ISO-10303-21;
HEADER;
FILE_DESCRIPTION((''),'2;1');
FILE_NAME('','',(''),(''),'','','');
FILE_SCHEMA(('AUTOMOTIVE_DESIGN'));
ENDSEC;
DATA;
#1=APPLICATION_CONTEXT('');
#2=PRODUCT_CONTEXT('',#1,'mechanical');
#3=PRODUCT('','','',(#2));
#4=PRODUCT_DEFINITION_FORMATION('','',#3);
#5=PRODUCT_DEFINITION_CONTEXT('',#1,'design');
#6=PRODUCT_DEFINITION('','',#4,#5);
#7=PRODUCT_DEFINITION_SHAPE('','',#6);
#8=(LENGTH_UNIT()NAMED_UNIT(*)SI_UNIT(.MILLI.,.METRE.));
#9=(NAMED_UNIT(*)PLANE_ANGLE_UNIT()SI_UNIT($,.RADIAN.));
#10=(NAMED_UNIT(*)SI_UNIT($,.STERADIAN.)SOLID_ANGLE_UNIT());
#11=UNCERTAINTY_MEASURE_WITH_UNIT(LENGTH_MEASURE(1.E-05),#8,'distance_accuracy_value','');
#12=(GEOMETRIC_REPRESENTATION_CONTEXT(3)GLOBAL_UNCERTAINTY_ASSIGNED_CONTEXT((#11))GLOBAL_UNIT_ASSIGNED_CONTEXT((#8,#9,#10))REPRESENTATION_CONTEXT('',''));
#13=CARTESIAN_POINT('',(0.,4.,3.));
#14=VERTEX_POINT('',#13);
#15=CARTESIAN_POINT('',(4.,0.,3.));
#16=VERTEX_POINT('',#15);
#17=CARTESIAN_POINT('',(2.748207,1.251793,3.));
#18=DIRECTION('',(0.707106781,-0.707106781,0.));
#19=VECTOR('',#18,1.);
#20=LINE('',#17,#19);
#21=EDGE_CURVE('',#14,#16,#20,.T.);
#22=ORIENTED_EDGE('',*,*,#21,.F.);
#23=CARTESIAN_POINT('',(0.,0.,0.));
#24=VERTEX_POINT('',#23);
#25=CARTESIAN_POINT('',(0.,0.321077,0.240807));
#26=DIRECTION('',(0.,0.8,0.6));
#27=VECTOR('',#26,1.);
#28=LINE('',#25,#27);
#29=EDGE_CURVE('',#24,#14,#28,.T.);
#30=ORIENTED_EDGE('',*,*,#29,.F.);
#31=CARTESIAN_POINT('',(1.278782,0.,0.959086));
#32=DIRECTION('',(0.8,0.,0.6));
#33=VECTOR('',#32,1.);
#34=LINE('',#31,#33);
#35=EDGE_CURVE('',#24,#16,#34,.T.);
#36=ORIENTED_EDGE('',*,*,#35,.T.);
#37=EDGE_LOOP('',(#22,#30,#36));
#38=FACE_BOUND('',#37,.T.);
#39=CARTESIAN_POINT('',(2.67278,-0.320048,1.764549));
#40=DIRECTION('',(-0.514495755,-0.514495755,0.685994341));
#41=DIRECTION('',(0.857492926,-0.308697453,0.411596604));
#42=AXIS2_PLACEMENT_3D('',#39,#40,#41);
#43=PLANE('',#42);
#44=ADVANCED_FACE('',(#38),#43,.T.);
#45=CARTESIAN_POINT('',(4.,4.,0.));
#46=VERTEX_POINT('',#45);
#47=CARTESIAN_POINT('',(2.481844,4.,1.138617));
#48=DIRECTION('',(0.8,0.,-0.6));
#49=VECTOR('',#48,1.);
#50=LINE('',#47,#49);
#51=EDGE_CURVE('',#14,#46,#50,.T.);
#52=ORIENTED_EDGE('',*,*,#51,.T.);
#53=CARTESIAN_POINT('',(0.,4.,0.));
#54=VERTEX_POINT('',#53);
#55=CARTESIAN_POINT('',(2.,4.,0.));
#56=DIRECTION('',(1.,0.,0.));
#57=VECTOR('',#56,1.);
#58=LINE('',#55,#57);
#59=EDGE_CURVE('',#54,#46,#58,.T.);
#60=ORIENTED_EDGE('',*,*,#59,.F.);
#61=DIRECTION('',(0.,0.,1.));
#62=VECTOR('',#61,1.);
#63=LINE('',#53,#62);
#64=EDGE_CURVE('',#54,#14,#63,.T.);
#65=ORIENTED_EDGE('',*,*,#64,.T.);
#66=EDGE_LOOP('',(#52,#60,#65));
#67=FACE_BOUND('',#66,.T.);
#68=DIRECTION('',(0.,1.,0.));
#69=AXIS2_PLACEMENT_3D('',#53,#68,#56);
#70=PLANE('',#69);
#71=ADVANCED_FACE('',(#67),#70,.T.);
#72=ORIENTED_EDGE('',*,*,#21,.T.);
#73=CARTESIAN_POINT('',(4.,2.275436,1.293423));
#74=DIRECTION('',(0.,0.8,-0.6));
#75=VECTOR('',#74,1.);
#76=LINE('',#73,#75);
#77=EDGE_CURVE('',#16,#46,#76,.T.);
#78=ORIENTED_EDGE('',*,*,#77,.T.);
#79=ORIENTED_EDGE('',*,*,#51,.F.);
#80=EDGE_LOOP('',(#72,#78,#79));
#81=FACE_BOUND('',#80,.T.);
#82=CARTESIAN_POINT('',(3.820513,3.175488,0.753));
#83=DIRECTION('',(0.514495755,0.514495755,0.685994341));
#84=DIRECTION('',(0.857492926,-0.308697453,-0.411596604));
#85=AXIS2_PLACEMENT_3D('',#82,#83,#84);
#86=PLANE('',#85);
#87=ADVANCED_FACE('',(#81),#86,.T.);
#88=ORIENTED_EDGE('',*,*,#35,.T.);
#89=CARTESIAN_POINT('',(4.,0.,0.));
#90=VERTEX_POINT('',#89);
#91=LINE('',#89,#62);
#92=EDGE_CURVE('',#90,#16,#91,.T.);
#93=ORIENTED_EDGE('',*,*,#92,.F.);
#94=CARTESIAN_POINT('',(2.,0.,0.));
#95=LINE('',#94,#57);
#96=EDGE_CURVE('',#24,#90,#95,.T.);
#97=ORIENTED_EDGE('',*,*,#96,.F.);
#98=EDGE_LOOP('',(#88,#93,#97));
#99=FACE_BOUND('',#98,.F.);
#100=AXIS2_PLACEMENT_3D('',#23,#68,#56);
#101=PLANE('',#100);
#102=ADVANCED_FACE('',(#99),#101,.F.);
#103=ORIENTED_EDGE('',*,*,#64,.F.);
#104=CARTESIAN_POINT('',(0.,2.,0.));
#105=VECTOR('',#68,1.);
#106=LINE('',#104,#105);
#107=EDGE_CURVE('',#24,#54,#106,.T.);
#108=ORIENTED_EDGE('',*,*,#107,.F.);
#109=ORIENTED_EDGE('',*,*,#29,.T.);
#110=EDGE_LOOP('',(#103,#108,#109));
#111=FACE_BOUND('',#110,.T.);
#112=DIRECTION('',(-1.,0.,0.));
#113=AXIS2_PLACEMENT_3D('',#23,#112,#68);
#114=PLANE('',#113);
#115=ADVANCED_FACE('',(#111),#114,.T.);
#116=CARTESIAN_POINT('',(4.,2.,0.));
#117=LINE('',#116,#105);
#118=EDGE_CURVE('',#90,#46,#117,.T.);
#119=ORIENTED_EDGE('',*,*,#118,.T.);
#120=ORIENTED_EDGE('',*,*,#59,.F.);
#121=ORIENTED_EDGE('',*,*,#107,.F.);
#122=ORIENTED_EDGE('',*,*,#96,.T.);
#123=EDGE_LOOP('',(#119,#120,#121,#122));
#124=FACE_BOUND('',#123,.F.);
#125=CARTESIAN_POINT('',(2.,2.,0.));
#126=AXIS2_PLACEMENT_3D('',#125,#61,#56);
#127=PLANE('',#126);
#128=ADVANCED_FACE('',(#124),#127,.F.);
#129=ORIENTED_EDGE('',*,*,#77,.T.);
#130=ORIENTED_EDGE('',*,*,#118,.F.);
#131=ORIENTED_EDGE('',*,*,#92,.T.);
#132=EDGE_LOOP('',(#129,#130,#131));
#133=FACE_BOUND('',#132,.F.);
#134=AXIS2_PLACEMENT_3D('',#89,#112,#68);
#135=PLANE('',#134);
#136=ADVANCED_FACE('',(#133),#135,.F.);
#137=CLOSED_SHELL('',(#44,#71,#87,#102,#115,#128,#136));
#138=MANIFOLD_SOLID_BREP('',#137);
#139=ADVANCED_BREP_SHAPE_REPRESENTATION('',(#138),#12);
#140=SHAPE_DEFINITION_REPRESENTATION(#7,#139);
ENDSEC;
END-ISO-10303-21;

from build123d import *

# Parameters (mm, degrees)
F0_W     = 4
F0_H     = 4
F1_DEPTH = 3
F3_W     = 14.3339713104
F3_H     = 10.6724398211
F4_DEPTH = 25
F6_W     = 17.2433317639
F6_H     = 22.1506999806
F7_DEPTH = 25


with BuildPart() as f1:
    # F0 (on Top) → F1 (new body)
    with BuildSketch(Plane.XY):
        with Locations((2, 2)):
            Rectangle(F0_W, F0_H)
    extrude(amount=F1_DEPTH)

    # F3 (on 3pt) → F4 (cut)
    with BuildSketch(Plane(origin=(0, 0, 0), x_dir=(0.8574929257, -0.3086974533, 0.4115966043), z_dir=(-0.5144957554, -0.5144957554, 0.6859943406))):
        with Locations((3.116970649, 0.8026915602)):
            Rectangle(F3_W, F3_H)
    extrude(amount=F4_DEPTH, mode=Mode.SUBTRACT)

    # F6 (on 3pt) → F7 (cut)
    with BuildSketch(Plane(origin=(2.1176470588, 2.1176470588, 2.8235294118), x_dir=(0.8574929257, -0.3086974533, -0.4115966043), z_dir=(0.5144957554, 0.5144957554, 0.6859943406))):
        with Locations((1.9858654123, 2.0885900594)):
            Rectangle(F6_W, F6_H)
    extrude(amount=F7_DEPTH, mode=Mode.SUBTRACT)


solid = f1.part
